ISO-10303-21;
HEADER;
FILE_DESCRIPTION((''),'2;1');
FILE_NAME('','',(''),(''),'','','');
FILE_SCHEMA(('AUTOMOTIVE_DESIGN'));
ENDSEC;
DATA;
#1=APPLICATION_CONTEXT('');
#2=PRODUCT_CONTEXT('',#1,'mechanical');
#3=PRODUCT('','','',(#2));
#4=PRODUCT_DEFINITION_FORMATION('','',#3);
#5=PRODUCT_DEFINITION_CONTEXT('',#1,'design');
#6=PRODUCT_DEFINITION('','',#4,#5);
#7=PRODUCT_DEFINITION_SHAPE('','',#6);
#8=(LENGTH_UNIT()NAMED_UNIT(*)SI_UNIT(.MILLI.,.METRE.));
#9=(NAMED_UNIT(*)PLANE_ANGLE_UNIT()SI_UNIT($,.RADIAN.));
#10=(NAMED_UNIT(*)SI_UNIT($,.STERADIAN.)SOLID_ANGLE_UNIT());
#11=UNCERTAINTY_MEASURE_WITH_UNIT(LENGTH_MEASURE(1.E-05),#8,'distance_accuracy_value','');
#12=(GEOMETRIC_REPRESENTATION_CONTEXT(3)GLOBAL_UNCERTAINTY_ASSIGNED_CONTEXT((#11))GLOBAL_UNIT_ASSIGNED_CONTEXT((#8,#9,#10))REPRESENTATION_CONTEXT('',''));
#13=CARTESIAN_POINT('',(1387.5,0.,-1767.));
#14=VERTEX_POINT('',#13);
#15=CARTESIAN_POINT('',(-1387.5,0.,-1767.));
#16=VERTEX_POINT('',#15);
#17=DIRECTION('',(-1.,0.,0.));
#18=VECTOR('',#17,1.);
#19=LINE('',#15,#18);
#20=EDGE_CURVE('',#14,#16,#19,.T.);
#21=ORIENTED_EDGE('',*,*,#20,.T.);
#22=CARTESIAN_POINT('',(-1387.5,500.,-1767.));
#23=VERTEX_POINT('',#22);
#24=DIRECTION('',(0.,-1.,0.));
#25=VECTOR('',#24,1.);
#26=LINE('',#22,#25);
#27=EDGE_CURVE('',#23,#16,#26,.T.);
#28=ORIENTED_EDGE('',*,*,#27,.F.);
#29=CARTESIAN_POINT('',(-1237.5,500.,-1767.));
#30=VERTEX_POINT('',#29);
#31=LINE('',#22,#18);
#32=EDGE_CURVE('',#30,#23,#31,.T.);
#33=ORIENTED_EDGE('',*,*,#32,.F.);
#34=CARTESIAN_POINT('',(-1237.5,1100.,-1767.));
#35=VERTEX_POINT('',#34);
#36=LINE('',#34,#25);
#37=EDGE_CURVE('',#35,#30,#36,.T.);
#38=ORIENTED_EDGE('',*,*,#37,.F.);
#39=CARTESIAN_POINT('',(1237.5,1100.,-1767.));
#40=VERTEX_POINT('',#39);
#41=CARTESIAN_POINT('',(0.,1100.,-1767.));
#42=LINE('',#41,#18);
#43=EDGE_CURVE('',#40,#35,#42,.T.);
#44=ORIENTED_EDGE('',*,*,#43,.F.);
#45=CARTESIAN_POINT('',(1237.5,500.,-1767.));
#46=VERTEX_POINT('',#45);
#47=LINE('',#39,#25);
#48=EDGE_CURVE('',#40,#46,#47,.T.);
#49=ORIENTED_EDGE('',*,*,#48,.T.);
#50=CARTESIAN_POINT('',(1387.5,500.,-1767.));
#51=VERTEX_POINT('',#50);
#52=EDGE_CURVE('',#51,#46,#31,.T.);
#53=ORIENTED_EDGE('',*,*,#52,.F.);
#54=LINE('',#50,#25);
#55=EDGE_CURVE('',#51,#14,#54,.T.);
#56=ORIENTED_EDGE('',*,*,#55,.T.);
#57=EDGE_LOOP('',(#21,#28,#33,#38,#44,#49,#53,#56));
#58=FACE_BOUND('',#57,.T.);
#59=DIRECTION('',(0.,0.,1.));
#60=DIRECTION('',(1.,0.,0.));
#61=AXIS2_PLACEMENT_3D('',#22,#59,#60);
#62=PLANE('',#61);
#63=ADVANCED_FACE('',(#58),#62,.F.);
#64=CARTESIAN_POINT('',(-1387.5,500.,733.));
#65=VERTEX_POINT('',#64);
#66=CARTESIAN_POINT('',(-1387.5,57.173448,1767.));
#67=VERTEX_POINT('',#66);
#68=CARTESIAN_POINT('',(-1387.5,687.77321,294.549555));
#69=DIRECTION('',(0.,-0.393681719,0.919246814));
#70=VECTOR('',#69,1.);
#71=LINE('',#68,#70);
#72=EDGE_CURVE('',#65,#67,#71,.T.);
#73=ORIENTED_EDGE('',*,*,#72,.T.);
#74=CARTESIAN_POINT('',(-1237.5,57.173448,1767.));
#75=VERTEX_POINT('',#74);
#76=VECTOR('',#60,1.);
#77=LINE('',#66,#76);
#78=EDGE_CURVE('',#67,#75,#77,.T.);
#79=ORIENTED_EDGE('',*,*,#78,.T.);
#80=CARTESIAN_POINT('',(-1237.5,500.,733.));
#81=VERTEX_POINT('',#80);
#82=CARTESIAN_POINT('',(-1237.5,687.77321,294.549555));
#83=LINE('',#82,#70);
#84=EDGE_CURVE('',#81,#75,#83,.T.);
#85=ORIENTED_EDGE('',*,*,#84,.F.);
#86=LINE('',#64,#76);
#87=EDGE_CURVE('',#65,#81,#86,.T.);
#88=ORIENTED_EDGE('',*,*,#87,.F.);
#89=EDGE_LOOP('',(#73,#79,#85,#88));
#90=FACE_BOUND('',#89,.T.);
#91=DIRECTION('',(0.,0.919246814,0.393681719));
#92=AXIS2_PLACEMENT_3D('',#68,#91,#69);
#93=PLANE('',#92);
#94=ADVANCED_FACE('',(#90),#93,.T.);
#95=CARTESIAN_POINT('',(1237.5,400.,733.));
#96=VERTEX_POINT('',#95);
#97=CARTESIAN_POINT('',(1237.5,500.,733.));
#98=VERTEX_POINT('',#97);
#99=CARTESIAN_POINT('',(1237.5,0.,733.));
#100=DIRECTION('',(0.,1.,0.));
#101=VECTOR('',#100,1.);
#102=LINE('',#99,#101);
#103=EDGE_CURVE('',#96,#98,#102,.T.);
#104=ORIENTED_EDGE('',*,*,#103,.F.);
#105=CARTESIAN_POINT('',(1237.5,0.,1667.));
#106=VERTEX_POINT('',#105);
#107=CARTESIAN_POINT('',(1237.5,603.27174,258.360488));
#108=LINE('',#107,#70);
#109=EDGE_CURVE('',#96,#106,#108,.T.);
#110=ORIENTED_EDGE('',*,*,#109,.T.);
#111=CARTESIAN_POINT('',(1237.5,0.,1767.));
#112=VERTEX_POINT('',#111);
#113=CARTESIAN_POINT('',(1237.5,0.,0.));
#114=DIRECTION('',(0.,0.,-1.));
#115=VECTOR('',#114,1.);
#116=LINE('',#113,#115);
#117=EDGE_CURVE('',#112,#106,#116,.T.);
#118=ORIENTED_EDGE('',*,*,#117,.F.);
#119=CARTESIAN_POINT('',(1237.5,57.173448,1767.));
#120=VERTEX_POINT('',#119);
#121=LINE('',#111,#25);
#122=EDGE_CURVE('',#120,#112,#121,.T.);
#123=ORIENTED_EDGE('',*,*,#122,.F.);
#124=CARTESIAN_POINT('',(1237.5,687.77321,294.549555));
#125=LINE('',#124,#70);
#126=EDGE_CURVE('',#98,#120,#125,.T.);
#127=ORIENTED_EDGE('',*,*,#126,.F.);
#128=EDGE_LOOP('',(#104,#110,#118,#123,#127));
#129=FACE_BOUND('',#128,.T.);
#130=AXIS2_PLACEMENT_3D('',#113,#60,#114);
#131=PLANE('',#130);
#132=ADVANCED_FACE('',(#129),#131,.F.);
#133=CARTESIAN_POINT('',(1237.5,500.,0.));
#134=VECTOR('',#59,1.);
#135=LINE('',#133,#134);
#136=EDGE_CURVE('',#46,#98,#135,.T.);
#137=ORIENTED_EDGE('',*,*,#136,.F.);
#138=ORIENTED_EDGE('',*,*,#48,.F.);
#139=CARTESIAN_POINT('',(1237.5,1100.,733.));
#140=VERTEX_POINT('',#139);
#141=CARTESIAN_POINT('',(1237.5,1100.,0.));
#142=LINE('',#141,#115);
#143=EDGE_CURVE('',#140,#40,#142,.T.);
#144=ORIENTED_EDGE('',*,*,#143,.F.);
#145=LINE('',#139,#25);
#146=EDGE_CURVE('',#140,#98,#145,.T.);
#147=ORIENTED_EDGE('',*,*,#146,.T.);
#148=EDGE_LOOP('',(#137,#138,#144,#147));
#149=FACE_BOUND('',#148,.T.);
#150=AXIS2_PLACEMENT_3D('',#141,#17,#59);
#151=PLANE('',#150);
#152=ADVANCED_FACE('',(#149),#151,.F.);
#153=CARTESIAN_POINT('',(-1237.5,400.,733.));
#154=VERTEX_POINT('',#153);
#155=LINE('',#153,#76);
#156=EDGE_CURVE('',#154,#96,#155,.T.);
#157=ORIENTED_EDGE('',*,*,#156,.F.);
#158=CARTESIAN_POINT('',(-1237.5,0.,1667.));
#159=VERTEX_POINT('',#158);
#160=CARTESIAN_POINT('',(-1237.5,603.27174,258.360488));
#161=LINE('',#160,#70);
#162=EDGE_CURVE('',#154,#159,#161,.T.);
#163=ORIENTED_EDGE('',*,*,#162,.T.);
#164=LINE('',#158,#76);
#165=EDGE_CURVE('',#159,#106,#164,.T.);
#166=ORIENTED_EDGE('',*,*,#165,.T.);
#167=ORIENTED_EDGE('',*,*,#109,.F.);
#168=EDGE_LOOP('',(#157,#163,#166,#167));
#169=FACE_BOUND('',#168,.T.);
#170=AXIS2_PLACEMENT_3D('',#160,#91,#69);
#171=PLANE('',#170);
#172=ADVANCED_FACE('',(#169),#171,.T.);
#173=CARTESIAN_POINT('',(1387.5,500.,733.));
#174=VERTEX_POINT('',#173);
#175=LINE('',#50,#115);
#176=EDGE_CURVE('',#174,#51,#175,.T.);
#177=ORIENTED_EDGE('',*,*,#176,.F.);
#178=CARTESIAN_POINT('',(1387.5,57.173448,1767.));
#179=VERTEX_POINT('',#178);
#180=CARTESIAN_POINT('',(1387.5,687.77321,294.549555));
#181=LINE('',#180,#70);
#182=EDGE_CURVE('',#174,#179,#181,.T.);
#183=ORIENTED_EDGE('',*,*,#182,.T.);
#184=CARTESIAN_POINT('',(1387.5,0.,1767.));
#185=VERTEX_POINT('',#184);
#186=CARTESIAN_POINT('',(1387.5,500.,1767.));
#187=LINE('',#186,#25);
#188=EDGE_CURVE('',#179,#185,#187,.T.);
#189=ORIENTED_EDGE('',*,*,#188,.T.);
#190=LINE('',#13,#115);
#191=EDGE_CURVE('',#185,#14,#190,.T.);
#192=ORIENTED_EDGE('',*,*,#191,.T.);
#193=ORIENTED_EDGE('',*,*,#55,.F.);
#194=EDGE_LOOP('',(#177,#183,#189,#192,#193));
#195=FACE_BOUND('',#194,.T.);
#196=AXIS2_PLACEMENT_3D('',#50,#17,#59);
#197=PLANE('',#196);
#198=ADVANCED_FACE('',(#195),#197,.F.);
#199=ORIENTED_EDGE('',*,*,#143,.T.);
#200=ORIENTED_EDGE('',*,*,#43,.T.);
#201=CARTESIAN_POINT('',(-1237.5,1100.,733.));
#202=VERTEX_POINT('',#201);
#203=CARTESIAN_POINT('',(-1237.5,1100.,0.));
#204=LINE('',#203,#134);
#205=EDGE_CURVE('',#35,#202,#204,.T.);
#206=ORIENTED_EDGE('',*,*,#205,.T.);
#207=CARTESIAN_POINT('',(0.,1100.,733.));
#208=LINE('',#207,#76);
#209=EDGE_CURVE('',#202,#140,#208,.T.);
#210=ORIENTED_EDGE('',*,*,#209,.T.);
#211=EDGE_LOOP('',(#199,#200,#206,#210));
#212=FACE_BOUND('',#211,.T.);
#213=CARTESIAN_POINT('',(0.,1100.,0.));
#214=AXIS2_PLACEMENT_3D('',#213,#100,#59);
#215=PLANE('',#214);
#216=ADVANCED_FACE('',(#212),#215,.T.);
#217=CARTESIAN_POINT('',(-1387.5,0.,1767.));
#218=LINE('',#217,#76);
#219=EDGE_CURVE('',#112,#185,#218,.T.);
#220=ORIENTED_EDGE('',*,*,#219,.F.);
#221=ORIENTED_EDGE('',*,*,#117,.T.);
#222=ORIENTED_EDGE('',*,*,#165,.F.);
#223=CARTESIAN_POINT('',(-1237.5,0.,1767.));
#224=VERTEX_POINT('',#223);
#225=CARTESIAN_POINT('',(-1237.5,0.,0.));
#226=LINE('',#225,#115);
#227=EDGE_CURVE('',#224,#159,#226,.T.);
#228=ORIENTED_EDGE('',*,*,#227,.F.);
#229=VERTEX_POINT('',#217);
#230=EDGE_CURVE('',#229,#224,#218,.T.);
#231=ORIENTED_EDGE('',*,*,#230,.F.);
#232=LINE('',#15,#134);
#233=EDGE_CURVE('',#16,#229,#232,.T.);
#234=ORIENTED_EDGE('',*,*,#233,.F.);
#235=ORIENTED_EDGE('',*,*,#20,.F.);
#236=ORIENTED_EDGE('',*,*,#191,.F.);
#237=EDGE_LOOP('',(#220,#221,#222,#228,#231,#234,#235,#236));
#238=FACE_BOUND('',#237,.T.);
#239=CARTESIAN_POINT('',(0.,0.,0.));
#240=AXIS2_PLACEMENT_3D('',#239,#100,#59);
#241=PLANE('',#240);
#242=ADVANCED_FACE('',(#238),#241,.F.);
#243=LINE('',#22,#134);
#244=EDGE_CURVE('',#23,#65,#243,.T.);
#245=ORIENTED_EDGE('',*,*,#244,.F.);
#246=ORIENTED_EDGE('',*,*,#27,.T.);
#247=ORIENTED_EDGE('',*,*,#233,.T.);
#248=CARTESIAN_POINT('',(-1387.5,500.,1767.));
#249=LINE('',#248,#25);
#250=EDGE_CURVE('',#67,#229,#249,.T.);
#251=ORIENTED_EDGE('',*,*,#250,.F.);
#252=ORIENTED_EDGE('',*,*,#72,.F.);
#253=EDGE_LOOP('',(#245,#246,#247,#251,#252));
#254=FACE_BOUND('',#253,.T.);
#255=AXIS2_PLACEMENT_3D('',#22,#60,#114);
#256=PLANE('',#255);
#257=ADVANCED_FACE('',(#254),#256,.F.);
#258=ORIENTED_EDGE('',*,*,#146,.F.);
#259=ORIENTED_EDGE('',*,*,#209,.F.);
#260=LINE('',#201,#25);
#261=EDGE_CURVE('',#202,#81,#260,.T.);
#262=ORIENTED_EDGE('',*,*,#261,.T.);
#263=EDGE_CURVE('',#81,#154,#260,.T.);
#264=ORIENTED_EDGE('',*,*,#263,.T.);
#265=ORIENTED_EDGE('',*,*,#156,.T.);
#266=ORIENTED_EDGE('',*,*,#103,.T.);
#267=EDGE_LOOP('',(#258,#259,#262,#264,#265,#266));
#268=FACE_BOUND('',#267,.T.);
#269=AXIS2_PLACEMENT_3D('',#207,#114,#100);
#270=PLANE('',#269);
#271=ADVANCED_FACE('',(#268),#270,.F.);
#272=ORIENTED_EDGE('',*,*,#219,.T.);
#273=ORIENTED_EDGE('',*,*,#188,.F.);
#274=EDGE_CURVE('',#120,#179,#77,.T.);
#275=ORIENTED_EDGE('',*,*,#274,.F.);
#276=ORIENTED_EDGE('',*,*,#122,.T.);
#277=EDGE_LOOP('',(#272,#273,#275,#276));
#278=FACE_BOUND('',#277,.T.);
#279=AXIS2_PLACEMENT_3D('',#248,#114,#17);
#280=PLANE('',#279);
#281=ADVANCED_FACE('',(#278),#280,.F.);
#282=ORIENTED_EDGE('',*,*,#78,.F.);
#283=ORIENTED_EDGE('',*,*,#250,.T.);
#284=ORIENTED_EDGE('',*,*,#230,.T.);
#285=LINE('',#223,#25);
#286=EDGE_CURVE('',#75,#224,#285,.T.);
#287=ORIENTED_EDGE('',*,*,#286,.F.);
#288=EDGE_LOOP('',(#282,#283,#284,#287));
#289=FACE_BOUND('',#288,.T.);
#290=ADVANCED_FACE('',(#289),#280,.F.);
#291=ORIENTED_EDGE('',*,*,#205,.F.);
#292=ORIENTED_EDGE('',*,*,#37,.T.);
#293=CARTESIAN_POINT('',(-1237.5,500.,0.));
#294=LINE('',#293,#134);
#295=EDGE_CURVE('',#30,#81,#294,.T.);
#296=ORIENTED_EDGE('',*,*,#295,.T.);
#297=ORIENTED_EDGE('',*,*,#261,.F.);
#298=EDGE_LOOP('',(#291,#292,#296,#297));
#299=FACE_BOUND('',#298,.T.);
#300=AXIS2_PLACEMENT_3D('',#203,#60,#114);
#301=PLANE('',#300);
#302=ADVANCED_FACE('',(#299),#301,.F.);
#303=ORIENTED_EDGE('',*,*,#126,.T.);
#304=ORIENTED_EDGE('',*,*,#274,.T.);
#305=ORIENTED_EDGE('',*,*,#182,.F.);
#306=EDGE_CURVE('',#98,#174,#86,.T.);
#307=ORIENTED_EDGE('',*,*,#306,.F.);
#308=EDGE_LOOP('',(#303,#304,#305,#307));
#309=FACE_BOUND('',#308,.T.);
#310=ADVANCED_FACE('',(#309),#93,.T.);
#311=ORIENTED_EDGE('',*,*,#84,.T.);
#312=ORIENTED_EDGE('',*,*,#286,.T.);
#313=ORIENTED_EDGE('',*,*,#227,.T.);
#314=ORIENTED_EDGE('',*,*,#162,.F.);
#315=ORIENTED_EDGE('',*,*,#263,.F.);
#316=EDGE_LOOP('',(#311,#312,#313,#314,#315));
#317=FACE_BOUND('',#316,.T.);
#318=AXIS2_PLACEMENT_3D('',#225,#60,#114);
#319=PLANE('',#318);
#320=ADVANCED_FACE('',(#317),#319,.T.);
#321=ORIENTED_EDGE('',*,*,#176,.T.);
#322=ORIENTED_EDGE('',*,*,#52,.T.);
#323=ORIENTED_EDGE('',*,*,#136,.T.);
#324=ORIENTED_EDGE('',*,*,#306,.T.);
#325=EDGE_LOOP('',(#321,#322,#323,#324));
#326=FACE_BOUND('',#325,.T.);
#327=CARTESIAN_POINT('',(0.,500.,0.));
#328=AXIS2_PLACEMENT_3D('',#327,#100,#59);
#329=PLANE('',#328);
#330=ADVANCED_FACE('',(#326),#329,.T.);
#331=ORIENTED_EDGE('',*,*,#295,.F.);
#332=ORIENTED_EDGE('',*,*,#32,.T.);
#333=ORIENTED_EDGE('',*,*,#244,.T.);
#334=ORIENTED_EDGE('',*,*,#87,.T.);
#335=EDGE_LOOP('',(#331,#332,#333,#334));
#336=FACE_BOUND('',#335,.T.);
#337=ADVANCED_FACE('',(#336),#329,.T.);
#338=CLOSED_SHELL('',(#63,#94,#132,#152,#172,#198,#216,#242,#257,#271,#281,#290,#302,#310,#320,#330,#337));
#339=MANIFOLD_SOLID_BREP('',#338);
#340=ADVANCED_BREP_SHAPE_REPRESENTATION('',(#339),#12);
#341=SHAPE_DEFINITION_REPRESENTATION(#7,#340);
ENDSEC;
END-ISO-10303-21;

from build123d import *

# Parameters (mm, degrees)
SKETCH_1_W          = 2775
SKETCH_1_H          = 3534
EXTRUDE_1_DEPTH     = 500
CUT_EXTRUDE_1_DEPTH = 3328.598833994
CUT_EXTRUDE_START   = -150
SKETCH_2_3_W        = 2500
SKETCH_2_3_H        = 100
CUT_EXTRUDE_2_DEPTH = 2475
EXTRUDE_START       = -400
SKETCH_3_W          = 2475
SKETCH_3_H          = 2500
EXTRUDE_2_DEPTH     = 1100


with BuildPart() as part:
    # 草图1 → 凸台-拉伸1 (new body)
    with BuildSketch(Plane(origin=(0, 0, 0), x_dir=(1, 0, 0), z_dir=(0, 1, 0))):
        Rectangle(SKETCH_1_W, SKETCH_1_H)
    extrude(amount=EXTRUDE_1_DEPTH)

    # 草图2 → 切除-拉伸1 (cut, through all)
    with BuildSketch(Plane(origin=(1387.5, 0, 0), x_dir=(0, 0, -1), z_dir=(1, 0, 0))):
        Polygon((-1767, 57.173447537), (-733, 500), (-1767, 500), align=None)
    extrude(amount=-CUT_EXTRUDE_1_DEPTH, mode=Mode.SUBTRACT)

    # 草图2<3> → 切除-拉伸2 (cut)
    with BuildSketch(Plane(origin=(1387.5, 0, 0), x_dir=(0, 0, -1), z_dir=(1, 0, 0)).offset(CUT_EXTRUDE_START)):
        Polygon((-1667, 0), (-733, 400), (-733, 500), (-1767, 57.173447537), (-1767, 0), align=None)
        with Locations((517, 450)):
            Rectangle(SKETCH_2_3_W, SKETCH_2_3_H)
    extrude(amount=-CUT_EXTRUDE_2_DEPTH, mode=Mode.SUBTRACT)

    # 草图3 → 凸台-拉伸2 (add)
    with BuildSketch(Plane(origin=(0, 400, 0), x_dir=(1, 0, 0), z_dir=(0, 1, 0)).offset(EXTRUDE_START)):
        with Locations((0, 517)):
            Rectangle(SKETCH_3_W, SKETCH_3_H)
    extrude(amount=EXTRUDE_2_DEPTH)


solid = part.part
